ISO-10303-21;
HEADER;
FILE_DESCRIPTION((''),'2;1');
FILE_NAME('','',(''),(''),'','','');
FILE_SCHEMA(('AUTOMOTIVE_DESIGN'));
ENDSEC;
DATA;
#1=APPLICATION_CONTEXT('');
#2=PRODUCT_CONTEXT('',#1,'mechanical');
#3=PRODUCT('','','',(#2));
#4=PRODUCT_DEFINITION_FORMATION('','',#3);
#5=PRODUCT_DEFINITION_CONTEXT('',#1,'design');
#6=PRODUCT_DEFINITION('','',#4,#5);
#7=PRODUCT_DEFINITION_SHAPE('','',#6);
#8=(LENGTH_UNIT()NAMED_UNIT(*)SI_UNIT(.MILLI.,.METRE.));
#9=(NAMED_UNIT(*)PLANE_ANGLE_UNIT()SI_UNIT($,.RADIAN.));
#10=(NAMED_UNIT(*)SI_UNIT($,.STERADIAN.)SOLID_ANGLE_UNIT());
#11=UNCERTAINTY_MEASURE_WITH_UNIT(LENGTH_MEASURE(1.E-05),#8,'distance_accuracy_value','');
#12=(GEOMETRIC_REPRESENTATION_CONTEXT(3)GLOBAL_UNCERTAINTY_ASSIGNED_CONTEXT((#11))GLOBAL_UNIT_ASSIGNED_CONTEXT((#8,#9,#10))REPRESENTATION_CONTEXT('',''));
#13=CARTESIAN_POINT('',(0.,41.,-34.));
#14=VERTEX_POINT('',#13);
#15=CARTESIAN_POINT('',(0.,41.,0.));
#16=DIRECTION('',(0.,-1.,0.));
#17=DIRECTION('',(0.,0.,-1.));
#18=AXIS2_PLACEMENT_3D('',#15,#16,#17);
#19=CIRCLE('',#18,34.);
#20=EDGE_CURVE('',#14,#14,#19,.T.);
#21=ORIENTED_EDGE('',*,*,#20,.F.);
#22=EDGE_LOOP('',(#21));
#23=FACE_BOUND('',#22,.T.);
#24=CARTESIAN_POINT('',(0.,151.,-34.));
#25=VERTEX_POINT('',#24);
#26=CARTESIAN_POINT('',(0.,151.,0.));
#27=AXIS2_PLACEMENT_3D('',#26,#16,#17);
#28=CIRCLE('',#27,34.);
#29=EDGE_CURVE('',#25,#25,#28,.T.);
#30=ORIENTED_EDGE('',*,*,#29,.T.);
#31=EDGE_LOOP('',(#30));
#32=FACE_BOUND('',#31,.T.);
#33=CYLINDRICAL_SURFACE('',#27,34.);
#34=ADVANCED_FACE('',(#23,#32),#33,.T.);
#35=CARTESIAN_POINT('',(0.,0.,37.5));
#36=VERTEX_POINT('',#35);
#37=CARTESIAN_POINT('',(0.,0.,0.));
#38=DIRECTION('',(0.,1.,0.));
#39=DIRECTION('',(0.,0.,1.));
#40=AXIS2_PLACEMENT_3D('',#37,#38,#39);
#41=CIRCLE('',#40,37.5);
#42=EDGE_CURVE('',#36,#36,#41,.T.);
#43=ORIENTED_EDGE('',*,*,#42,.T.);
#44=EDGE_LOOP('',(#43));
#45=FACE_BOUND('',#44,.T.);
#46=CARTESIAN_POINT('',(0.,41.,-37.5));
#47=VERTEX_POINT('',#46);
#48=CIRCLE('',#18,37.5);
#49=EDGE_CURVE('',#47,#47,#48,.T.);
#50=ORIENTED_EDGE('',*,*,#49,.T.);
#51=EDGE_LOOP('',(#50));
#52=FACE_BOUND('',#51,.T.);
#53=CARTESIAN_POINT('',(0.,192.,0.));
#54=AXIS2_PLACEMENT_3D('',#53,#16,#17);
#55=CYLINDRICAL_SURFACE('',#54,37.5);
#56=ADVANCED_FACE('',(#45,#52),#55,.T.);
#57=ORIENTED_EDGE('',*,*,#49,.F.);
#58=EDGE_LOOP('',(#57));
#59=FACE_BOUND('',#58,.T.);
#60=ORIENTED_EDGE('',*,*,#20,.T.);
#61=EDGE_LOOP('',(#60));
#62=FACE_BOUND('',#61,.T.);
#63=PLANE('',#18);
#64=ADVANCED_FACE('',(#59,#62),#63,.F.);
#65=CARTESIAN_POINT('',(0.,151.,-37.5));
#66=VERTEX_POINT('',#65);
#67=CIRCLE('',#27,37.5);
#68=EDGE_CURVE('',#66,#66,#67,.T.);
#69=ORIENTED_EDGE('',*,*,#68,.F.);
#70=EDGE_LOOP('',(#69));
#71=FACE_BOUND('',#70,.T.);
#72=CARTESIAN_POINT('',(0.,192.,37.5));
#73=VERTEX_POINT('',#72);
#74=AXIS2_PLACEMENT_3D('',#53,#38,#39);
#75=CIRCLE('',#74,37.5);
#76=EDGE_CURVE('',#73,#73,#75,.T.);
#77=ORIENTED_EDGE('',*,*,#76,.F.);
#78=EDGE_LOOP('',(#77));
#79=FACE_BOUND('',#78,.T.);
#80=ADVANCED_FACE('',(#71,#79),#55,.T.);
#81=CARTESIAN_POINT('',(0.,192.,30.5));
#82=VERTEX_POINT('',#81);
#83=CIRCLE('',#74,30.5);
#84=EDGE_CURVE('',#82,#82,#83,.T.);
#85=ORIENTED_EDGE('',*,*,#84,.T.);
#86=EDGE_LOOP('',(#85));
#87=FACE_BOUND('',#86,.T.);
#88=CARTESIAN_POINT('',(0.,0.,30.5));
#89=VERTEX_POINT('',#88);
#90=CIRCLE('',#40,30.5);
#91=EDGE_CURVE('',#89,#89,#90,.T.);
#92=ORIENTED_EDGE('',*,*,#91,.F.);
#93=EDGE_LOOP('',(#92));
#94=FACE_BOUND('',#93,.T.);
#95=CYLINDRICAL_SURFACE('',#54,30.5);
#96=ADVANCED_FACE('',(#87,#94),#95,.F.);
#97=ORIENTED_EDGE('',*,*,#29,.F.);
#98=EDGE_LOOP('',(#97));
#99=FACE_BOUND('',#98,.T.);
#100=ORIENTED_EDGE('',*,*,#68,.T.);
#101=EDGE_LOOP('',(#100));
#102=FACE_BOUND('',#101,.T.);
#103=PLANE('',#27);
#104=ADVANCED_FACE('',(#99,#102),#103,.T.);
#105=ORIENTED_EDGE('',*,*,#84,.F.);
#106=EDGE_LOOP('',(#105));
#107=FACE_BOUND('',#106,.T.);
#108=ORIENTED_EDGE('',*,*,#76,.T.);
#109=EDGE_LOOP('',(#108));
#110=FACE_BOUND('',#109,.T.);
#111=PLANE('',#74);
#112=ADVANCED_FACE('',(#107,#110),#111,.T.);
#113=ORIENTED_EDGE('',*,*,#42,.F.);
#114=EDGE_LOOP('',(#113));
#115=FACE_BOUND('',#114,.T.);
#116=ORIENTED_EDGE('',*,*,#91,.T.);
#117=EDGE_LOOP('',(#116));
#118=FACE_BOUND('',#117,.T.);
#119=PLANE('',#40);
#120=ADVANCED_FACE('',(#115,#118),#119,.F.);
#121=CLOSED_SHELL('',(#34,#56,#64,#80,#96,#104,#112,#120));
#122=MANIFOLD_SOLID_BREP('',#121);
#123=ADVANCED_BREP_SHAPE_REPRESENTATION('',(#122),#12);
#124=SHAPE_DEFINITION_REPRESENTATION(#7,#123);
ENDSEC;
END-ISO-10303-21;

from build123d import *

# Parameters (mm, degrees)
SKETCH3_R           = 37.5
SKETCH3_R_2         = 30.5
BOSS_EXTRUDE1_DEPTH = 192
CUT_EXTRUDE3_START  = -41
SKETCH7_R           = 39
SKETCH7_R_2         = 34
CUT_EXTRUDE3_DEPTH  = 110


with BuildPart() as part:
    # Sketch3 → Boss-Extrude1 (new body)
    with BuildSketch(Plane(origin=(0, 0, 0), x_dir=(1, 0, 0), z_dir=(0, 1, 0))):
        Circle(SKETCH3_R)
        Circle(SKETCH3_R_2, mode=Mode.SUBTRACT)
    extrude(amount=BOSS_EXTRUDE1_DEPTH)

    # Sketch7 → Cut-Extrude3 (cut)
    with BuildSketch(Plane(origin=(0, 0, 0), x_dir=(-1, 0, 0), z_dir=(0, -1, 0)).offset(CUT_EXTRUDE3_START)):
        Circle(SKETCH7_R)
        Circle(SKETCH7_R_2, mode=Mode.SUBTRACT)
    extrude(amount=-CUT_EXTRUDE3_DEPTH, mode=Mode.SUBTRACT)


solid = part.part
